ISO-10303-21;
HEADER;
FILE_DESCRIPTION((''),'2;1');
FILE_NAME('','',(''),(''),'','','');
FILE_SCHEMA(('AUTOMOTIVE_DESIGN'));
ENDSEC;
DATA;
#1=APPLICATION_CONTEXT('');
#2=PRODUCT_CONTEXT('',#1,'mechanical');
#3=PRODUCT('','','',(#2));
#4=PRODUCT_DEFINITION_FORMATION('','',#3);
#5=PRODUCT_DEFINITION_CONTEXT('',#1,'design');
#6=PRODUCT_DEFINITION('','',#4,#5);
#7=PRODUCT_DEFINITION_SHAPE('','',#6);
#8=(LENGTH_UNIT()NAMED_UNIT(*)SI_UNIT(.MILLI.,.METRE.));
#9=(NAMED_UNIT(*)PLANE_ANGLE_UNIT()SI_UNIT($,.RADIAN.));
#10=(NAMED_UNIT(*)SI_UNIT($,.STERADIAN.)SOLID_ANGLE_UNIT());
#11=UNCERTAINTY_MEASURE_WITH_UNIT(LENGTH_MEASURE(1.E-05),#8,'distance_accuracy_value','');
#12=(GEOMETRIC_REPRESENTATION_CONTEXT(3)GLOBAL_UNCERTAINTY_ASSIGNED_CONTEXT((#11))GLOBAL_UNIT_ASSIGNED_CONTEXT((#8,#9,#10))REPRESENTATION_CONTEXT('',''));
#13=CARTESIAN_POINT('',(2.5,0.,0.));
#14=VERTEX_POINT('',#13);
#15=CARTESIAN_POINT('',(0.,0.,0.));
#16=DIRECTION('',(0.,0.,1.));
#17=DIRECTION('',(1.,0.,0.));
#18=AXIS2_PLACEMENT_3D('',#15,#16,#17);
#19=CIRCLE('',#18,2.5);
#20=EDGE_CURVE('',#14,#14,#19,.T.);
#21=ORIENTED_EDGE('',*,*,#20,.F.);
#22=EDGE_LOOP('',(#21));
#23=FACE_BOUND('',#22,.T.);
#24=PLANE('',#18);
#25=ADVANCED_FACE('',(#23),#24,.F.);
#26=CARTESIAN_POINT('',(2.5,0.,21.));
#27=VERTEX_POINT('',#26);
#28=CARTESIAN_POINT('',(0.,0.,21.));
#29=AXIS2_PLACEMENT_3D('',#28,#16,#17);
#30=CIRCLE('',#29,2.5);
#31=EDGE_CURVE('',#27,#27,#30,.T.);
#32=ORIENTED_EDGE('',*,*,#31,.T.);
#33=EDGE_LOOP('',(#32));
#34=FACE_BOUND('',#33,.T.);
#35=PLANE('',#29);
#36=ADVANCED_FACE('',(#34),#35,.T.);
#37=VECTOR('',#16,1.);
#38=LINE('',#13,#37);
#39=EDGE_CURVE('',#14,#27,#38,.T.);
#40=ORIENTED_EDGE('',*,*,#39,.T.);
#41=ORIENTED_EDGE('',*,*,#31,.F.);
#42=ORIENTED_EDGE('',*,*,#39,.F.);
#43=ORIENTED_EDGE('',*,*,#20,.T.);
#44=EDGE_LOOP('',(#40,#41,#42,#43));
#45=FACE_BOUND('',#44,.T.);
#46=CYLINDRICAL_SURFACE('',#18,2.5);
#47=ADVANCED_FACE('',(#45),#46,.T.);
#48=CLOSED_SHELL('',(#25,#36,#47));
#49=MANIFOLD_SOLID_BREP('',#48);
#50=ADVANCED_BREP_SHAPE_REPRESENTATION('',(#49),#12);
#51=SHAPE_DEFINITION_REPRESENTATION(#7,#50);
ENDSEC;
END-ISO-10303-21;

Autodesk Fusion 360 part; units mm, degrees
cylinder "CilindroPrimitivo1" add diameter 5 height 21 placed x (1, 0, 0) y (0, 1, 0) z (0, 0, 1) at (0, 0, 0)
